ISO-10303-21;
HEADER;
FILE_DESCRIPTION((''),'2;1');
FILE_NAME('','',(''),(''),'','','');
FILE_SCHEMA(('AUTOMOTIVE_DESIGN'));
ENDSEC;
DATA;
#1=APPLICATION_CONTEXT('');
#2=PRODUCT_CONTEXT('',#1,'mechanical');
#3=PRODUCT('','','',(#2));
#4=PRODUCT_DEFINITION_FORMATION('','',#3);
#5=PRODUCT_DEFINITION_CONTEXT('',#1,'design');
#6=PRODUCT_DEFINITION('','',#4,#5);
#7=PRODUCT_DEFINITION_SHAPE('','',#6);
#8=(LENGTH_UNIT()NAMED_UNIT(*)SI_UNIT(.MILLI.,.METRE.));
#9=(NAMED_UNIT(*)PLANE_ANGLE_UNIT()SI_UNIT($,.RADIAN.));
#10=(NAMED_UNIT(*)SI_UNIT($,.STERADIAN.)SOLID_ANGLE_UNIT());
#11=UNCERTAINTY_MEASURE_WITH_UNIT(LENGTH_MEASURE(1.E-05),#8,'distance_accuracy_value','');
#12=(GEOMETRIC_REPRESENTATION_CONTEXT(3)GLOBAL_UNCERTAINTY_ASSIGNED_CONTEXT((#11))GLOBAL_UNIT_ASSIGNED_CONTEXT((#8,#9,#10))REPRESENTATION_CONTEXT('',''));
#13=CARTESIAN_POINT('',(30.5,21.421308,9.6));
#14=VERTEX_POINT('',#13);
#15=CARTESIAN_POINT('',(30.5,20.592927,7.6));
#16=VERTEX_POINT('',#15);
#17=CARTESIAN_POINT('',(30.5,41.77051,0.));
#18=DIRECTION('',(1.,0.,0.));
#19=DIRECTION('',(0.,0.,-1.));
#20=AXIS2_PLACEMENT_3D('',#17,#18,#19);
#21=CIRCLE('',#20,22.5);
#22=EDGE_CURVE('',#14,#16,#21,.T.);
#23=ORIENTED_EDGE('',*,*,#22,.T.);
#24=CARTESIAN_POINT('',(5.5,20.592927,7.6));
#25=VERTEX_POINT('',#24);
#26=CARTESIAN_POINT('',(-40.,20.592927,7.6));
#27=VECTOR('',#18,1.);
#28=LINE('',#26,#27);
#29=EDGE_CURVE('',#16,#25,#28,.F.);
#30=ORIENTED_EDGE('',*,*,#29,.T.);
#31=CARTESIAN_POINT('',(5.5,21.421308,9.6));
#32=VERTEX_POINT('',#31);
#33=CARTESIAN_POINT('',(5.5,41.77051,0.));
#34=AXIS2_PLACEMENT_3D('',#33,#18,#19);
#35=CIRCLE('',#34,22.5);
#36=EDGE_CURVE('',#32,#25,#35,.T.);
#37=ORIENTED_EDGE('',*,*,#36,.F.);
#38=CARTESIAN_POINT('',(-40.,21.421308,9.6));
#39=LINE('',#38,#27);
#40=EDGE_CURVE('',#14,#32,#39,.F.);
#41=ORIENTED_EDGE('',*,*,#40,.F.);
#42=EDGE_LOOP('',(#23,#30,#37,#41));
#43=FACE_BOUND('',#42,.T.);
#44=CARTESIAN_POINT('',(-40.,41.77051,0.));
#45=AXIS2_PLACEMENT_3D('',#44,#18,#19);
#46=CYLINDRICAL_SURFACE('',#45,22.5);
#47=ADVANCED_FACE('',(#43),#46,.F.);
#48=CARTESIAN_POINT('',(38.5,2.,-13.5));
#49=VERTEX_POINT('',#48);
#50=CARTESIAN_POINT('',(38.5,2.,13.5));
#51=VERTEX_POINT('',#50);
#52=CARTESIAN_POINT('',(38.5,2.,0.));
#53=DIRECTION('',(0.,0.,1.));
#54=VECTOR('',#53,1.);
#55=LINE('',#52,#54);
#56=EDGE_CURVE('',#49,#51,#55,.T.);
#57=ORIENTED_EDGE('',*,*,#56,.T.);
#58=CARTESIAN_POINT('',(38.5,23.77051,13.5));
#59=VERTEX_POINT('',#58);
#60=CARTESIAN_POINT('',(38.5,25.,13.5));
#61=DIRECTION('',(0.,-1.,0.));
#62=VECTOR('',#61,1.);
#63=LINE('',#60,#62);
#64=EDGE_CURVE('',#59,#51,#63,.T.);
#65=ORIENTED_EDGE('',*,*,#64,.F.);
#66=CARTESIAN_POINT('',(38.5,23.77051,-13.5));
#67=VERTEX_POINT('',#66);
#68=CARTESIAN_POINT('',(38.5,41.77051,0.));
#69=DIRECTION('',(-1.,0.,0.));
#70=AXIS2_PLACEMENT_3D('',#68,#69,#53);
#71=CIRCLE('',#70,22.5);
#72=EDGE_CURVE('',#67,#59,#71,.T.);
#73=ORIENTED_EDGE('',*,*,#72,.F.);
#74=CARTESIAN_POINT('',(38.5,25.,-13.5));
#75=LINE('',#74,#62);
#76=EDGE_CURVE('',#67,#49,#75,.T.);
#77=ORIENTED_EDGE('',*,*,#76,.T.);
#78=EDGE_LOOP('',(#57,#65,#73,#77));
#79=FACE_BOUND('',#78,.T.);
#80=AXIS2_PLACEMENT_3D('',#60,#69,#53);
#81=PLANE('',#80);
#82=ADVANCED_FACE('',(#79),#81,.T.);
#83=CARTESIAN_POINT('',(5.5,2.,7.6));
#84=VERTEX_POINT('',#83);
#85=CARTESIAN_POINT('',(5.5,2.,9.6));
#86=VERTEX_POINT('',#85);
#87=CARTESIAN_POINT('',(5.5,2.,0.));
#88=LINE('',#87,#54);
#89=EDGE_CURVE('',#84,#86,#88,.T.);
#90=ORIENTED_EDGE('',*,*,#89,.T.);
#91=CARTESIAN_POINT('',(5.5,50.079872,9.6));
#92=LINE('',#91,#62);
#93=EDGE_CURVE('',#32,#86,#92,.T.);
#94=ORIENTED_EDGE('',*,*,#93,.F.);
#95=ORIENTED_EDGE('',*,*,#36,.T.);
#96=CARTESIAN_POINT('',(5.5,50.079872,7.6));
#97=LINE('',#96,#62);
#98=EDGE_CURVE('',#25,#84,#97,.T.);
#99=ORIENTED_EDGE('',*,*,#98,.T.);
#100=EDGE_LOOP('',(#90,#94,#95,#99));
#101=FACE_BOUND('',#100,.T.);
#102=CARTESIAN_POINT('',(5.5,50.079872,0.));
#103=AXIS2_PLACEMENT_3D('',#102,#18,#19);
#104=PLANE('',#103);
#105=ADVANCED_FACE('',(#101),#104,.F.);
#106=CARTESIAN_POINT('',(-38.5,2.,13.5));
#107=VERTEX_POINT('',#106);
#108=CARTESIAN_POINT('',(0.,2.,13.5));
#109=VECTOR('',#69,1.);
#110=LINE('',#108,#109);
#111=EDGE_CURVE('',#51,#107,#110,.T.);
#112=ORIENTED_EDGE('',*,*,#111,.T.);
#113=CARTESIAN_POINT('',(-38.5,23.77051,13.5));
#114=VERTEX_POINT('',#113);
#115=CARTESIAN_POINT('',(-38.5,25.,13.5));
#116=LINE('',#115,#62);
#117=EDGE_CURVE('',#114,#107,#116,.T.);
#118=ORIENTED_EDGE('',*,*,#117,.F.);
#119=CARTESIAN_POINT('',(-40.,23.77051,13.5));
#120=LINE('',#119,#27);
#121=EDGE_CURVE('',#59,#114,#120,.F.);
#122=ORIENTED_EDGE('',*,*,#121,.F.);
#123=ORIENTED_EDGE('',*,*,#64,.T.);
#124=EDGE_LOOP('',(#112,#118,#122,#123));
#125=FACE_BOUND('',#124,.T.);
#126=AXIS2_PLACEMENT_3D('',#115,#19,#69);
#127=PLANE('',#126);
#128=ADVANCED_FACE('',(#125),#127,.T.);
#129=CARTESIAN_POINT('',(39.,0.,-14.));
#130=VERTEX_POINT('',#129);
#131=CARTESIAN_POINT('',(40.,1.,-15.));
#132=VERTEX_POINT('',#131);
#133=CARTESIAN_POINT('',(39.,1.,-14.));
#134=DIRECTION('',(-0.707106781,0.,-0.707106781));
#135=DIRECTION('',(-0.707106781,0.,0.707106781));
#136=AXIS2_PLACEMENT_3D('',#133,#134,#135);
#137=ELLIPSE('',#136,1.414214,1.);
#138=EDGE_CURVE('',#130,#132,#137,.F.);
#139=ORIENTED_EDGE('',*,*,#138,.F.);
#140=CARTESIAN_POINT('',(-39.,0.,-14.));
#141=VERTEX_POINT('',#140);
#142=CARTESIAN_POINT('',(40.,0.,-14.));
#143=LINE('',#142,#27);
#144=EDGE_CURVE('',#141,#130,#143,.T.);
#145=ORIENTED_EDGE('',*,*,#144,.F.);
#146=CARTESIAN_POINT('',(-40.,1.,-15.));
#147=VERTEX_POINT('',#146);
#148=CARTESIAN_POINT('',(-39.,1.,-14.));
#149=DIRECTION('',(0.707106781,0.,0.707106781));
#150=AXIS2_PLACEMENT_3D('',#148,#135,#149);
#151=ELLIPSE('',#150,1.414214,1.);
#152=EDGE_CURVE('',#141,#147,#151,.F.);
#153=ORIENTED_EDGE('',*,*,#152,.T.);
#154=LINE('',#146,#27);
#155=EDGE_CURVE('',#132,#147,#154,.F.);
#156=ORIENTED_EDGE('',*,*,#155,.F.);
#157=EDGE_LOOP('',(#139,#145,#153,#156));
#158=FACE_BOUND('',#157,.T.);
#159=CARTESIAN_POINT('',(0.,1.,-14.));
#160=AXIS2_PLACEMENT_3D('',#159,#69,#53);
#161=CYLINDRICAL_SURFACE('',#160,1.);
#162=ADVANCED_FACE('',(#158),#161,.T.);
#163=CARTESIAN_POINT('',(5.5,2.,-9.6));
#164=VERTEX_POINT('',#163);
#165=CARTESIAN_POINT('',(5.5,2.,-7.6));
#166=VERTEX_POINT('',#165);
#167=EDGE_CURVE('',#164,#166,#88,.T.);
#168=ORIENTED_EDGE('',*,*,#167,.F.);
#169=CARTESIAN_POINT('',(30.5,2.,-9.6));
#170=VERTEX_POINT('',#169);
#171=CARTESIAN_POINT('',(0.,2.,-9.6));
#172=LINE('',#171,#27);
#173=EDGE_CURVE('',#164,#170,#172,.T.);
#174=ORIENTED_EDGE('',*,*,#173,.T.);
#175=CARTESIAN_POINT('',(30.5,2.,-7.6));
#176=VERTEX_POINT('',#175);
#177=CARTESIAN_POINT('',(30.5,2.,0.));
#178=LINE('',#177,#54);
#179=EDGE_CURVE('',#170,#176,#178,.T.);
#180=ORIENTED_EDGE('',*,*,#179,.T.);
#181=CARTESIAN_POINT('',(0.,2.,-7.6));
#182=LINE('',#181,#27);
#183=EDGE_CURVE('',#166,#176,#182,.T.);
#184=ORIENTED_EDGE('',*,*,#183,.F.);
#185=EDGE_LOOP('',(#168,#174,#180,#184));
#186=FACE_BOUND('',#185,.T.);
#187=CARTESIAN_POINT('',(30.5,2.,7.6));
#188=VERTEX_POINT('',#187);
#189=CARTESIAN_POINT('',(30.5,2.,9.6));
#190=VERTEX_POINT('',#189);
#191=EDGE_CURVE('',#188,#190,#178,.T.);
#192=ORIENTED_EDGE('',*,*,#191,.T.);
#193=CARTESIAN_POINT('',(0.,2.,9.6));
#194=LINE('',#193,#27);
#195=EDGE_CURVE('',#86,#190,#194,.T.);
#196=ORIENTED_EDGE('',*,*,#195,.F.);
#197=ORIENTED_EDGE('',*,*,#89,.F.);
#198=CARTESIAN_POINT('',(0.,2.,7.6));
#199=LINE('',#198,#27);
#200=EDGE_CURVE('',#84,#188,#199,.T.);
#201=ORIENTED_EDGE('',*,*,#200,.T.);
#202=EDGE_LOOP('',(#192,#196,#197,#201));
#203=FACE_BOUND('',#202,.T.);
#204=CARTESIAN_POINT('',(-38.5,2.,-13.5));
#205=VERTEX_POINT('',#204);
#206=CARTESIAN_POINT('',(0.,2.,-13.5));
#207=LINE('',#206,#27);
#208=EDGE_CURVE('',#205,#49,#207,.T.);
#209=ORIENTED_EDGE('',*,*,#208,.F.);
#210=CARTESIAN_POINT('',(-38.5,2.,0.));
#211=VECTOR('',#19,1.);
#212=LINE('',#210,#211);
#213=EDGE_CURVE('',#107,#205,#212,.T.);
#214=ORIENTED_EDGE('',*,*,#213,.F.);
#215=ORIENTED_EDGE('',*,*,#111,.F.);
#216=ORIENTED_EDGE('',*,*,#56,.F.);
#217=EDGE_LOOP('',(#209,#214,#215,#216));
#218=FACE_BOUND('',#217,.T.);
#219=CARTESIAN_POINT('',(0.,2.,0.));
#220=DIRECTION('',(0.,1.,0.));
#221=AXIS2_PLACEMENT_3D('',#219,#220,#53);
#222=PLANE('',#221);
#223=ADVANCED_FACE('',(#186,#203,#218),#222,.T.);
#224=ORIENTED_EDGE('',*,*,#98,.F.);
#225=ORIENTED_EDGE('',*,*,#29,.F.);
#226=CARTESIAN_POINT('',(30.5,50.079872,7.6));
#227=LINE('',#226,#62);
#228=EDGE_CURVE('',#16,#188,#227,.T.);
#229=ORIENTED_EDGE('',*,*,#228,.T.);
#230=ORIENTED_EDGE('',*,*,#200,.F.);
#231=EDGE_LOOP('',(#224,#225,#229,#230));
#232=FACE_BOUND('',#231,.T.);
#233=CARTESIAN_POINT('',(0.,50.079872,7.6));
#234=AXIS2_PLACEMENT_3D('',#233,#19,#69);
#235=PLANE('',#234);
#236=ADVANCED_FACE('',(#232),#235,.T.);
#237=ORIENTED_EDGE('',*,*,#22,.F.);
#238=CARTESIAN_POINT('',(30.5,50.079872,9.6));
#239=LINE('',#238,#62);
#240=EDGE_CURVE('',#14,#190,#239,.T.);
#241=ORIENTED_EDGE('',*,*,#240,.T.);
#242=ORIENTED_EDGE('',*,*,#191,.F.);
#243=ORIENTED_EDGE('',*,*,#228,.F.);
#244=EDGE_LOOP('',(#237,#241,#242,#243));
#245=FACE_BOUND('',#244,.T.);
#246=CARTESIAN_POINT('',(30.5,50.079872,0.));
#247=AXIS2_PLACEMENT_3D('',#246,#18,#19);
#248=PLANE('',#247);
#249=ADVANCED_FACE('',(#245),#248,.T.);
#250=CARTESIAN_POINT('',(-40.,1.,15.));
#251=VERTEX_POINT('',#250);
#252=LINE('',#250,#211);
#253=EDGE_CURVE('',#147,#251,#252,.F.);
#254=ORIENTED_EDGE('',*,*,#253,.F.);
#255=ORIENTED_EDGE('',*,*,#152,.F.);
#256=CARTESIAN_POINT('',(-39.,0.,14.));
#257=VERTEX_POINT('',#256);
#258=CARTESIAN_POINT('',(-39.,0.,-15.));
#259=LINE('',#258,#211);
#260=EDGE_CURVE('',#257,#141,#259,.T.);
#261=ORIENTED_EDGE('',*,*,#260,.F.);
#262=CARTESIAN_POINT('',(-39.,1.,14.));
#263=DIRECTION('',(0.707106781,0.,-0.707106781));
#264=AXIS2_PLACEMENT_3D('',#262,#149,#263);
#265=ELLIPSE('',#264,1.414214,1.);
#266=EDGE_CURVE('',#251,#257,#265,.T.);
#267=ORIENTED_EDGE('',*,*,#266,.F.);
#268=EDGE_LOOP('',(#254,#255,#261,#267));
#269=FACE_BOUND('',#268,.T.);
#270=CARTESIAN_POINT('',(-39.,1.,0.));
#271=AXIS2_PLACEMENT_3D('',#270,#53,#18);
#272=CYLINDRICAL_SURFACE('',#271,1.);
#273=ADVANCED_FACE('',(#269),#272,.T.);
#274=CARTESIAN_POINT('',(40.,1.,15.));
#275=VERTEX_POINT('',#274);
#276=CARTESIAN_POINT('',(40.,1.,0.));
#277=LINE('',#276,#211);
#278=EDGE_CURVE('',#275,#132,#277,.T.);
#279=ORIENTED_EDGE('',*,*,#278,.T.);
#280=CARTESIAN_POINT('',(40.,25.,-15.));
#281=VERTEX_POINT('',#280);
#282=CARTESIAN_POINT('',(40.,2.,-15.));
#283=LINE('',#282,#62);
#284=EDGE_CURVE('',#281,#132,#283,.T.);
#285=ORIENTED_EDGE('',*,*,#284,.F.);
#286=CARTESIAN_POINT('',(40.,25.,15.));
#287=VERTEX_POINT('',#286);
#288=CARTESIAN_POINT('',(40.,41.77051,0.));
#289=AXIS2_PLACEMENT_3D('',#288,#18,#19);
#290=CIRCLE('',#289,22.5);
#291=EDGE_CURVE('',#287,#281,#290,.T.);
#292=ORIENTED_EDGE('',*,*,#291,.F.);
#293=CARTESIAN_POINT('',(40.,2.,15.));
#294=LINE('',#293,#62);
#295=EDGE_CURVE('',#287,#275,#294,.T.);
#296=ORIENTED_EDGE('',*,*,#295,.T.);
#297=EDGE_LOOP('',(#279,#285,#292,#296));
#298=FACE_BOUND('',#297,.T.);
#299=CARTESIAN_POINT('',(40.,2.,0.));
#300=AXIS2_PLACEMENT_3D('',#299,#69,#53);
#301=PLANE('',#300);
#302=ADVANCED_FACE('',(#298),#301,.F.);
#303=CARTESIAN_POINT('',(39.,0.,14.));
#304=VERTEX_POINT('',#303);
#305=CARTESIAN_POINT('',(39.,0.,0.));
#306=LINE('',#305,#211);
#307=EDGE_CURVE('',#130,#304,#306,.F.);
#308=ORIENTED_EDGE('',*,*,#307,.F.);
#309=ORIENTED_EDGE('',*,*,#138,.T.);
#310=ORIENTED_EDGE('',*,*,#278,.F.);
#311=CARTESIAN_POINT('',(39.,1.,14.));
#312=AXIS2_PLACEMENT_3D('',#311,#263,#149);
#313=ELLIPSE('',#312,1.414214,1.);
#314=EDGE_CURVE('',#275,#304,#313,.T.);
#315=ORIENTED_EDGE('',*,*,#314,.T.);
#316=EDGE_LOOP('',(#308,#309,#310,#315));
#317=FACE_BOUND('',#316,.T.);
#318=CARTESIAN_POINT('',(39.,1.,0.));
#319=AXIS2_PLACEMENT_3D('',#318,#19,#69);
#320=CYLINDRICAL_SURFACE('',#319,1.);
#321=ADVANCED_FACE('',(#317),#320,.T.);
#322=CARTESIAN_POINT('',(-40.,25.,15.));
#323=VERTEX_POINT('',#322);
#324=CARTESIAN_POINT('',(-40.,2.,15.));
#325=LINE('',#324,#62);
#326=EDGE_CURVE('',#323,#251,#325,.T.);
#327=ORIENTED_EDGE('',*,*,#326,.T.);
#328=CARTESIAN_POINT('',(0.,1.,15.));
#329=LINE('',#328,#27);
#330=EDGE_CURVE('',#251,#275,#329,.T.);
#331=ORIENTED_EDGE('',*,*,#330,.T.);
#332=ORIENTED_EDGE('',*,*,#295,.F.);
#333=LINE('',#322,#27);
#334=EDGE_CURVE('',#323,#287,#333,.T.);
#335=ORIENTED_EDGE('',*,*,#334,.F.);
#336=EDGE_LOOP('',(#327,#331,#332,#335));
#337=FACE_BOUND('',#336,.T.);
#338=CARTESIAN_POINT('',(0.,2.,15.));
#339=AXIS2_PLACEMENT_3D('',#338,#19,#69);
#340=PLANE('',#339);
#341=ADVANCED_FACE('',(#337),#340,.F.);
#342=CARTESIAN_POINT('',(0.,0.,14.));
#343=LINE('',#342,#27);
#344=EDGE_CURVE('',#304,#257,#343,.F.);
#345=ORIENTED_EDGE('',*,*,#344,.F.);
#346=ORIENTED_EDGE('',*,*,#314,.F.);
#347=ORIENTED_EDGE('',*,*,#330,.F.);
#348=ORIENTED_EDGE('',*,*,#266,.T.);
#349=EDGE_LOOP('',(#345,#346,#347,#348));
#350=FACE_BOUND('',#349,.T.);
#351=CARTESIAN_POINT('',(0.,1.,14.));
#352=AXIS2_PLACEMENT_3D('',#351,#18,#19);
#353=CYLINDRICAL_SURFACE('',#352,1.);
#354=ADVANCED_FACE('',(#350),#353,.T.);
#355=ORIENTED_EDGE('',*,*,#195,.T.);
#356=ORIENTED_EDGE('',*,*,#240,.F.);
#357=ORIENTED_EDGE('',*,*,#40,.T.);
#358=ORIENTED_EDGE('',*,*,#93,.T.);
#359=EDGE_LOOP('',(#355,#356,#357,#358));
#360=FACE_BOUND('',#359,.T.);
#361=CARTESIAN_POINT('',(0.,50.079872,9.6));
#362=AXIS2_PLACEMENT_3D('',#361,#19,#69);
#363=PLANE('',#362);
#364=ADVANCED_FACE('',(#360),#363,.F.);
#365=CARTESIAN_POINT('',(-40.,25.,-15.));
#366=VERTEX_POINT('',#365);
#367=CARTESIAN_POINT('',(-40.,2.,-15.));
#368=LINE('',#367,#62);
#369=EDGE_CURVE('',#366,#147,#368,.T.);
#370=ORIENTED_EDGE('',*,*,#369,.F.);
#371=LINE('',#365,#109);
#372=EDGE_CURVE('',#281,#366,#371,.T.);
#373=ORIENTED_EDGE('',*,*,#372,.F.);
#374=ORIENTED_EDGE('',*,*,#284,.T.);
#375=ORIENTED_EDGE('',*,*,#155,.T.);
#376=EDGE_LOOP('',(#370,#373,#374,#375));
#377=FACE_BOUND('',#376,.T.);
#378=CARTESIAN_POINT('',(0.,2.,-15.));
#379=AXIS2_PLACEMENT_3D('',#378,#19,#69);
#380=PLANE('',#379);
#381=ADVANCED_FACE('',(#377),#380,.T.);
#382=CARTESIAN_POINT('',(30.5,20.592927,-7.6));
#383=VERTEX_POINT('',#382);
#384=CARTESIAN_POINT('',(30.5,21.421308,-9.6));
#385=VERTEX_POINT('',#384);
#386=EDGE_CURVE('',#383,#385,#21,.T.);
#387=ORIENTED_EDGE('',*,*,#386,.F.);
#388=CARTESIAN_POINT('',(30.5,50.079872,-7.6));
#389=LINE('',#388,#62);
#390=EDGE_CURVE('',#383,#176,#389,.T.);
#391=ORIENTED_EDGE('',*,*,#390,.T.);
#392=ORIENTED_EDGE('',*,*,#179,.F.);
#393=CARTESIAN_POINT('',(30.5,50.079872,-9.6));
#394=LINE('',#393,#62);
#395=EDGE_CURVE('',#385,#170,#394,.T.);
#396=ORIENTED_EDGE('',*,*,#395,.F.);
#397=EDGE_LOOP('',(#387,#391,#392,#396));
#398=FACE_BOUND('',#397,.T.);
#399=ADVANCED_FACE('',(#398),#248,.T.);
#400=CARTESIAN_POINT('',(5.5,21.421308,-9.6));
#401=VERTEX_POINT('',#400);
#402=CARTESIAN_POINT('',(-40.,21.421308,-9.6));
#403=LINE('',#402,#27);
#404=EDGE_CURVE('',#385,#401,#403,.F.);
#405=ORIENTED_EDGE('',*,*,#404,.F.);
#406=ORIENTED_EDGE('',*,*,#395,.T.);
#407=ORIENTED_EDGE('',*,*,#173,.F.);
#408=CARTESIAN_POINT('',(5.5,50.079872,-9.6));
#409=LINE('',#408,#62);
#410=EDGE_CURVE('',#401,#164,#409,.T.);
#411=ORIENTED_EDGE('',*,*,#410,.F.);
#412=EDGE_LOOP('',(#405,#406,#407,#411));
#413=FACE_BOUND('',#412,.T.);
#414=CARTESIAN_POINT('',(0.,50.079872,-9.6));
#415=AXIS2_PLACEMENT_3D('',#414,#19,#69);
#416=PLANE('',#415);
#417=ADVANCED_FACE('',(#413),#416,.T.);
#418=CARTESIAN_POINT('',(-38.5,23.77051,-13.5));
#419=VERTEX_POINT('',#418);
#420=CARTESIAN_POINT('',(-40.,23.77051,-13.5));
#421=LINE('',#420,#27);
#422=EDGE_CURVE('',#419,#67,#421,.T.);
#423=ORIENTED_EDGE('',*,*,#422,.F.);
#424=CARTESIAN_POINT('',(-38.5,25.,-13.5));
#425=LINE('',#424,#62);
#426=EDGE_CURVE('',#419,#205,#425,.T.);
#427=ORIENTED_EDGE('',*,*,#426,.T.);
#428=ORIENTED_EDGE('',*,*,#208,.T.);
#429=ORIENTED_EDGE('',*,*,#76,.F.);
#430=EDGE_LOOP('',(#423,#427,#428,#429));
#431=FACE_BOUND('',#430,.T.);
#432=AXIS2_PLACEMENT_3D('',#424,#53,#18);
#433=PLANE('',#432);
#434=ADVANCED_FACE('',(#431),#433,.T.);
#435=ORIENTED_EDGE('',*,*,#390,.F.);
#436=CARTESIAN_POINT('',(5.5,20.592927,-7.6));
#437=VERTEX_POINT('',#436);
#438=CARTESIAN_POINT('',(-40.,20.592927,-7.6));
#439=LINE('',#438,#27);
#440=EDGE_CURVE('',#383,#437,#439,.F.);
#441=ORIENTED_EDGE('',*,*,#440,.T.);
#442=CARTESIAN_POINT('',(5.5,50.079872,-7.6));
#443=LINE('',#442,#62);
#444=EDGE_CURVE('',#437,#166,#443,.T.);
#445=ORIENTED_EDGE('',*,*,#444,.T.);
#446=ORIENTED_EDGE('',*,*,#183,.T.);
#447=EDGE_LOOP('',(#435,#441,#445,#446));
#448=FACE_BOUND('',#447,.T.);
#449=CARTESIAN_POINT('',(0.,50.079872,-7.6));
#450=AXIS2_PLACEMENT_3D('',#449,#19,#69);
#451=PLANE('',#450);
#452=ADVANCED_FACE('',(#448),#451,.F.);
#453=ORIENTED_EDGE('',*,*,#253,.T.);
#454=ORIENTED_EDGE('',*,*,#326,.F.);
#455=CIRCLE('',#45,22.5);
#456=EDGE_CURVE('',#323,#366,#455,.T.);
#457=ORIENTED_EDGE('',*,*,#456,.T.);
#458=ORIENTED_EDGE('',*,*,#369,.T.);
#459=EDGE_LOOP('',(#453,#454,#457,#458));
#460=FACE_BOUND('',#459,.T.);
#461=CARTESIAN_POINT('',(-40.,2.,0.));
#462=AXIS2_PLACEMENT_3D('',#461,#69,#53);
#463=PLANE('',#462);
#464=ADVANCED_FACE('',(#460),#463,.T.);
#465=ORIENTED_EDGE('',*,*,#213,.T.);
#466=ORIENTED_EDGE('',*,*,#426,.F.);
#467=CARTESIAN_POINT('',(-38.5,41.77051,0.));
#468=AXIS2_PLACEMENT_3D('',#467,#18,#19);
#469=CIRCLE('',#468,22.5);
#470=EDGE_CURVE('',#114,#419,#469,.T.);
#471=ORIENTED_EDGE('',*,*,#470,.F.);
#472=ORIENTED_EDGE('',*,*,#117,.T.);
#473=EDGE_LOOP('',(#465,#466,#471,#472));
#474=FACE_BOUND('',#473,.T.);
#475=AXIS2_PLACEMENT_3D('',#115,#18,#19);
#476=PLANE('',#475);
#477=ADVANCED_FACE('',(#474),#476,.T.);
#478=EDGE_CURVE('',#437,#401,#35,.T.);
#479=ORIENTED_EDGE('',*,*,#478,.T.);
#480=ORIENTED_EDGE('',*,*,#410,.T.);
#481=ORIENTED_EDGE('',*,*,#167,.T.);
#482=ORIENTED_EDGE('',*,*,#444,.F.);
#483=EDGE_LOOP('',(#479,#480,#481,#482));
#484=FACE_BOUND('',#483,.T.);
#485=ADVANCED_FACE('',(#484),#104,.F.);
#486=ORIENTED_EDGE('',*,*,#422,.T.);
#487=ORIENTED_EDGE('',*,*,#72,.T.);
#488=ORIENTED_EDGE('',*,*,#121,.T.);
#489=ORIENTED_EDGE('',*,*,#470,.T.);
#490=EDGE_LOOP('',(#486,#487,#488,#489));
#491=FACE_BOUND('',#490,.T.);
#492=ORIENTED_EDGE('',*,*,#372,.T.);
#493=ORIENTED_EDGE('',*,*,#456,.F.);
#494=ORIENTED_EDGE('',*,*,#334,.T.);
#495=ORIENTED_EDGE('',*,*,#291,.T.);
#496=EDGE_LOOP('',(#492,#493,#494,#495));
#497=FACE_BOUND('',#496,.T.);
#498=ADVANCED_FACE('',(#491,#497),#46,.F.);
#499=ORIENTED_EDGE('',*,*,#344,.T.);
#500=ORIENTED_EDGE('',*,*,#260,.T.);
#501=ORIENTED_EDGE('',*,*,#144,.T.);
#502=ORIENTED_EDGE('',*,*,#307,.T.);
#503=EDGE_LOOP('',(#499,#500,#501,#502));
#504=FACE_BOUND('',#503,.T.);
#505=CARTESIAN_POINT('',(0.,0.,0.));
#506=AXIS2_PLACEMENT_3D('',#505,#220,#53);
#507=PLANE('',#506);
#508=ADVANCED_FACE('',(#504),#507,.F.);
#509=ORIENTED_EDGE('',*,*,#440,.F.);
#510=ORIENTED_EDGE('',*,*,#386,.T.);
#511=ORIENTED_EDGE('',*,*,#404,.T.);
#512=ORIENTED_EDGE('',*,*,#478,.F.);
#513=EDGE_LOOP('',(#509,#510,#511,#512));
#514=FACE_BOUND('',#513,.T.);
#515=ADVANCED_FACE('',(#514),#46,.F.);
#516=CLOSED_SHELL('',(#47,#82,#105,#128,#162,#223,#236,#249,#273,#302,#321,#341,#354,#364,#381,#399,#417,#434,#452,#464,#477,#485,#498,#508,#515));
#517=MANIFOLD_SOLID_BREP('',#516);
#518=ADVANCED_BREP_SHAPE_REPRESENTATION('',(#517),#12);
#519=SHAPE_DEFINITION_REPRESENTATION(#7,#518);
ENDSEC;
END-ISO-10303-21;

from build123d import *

# Parameters (mm, degrees)
SKETCH1_W           = 80
SKETCH1_H           = 30
SKETCH1_W_2         = 77
SKETCH1_H_2         = 27
BOSS_EXTRUDE1_DEPTH = 2
SKETCH1_3_W         = 80
SKETCH1_3_H         = 30
SKETCH1_3_W_2       = 77
SKETCH1_3_H_2       = 27
BOSS_EXTRUDE2_DEPTH = 25
SKETCH2_W           = 25
SKETCH2_H           = 2
BOSS_EXTRUDE3_DEPTH = 23
CUT_EXTRUDE1_DEPTH  = 86.14693183
FILLET1_R           = 1


with BuildPart() as part:
    # Sketch1 → Boss-Extrude1 (new body)
    # profile 1 of 2: a face of its own
    with BuildSketch(Plane(origin=(0, 0, 0), x_dir=(1, 0, 0), z_dir=(0, 1, 0))):
        Rectangle(SKETCH1_W, SKETCH1_H)
        Rectangle(SKETCH1_W_2, SKETCH1_H_2, mode=Mode.SUBTRACT)
    # profile 2 of 2: a face of its own
    with BuildSketch(Plane(origin=(0, 0, 0), x_dir=(1, 0, 0), z_dir=(0, 1, 0))):
        Rectangle(SKETCH1_W_2, SKETCH1_H_2)
    extrude(amount=BOSS_EXTRUDE1_DEPTH)

    # Sketch1<3> → Boss-Extrude2 (add)
    with BuildSketch(Plane(origin=(0, 0, 0), x_dir=(1, 0, 0), z_dir=(0, 1, 0))):
        Rectangle(SKETCH1_3_W, SKETCH1_3_H)
        Rectangle(SKETCH1_3_W_2, SKETCH1_3_H_2, mode=Mode.SUBTRACT)
    extrude(amount=BOSS_EXTRUDE2_DEPTH)

    # Sketch2 → Boss-Extrude3 (add)
    with BuildSketch(Plane(origin=(0, 2, 0), x_dir=(1, 0, 0), z_dir=(0, 1, 0))):
        with Locations((18, 8.6)):
            Rectangle(SKETCH2_W, SKETCH2_H)
        with Locations((18, -8.6)):
            Rectangle(SKETCH2_W, SKETCH2_H)
    extrude(amount=BOSS_EXTRUDE3_DEPTH)

    # Sketch3 → Cut-Extrude1 (cut, through all)
    with BuildSketch(Plane(origin=(40, 0, 0), x_dir=(0, 0, -1), z_dir=(1, 0, 0))):
        with BuildLine():
            Line((-15, 25), (15, 25))
            ThreePointArc((15, 25), (0, 19.270509831), (-15, 25))
        make_face()
    extrude(amount=-CUT_EXTRUDE1_DEPTH, mode=Mode.SUBTRACT)

    # Fillet1
    fillet1_edges = [part.edges().sort_by_distance(p)[0] for p in [
        (-40, 0, 0),
        (0, 0, -15),
        (40, 0, 0),
        (0, 0, 15),
    ]]
    fillet(fillet1_edges, radius=FILLET1_R)


solid = part.part
